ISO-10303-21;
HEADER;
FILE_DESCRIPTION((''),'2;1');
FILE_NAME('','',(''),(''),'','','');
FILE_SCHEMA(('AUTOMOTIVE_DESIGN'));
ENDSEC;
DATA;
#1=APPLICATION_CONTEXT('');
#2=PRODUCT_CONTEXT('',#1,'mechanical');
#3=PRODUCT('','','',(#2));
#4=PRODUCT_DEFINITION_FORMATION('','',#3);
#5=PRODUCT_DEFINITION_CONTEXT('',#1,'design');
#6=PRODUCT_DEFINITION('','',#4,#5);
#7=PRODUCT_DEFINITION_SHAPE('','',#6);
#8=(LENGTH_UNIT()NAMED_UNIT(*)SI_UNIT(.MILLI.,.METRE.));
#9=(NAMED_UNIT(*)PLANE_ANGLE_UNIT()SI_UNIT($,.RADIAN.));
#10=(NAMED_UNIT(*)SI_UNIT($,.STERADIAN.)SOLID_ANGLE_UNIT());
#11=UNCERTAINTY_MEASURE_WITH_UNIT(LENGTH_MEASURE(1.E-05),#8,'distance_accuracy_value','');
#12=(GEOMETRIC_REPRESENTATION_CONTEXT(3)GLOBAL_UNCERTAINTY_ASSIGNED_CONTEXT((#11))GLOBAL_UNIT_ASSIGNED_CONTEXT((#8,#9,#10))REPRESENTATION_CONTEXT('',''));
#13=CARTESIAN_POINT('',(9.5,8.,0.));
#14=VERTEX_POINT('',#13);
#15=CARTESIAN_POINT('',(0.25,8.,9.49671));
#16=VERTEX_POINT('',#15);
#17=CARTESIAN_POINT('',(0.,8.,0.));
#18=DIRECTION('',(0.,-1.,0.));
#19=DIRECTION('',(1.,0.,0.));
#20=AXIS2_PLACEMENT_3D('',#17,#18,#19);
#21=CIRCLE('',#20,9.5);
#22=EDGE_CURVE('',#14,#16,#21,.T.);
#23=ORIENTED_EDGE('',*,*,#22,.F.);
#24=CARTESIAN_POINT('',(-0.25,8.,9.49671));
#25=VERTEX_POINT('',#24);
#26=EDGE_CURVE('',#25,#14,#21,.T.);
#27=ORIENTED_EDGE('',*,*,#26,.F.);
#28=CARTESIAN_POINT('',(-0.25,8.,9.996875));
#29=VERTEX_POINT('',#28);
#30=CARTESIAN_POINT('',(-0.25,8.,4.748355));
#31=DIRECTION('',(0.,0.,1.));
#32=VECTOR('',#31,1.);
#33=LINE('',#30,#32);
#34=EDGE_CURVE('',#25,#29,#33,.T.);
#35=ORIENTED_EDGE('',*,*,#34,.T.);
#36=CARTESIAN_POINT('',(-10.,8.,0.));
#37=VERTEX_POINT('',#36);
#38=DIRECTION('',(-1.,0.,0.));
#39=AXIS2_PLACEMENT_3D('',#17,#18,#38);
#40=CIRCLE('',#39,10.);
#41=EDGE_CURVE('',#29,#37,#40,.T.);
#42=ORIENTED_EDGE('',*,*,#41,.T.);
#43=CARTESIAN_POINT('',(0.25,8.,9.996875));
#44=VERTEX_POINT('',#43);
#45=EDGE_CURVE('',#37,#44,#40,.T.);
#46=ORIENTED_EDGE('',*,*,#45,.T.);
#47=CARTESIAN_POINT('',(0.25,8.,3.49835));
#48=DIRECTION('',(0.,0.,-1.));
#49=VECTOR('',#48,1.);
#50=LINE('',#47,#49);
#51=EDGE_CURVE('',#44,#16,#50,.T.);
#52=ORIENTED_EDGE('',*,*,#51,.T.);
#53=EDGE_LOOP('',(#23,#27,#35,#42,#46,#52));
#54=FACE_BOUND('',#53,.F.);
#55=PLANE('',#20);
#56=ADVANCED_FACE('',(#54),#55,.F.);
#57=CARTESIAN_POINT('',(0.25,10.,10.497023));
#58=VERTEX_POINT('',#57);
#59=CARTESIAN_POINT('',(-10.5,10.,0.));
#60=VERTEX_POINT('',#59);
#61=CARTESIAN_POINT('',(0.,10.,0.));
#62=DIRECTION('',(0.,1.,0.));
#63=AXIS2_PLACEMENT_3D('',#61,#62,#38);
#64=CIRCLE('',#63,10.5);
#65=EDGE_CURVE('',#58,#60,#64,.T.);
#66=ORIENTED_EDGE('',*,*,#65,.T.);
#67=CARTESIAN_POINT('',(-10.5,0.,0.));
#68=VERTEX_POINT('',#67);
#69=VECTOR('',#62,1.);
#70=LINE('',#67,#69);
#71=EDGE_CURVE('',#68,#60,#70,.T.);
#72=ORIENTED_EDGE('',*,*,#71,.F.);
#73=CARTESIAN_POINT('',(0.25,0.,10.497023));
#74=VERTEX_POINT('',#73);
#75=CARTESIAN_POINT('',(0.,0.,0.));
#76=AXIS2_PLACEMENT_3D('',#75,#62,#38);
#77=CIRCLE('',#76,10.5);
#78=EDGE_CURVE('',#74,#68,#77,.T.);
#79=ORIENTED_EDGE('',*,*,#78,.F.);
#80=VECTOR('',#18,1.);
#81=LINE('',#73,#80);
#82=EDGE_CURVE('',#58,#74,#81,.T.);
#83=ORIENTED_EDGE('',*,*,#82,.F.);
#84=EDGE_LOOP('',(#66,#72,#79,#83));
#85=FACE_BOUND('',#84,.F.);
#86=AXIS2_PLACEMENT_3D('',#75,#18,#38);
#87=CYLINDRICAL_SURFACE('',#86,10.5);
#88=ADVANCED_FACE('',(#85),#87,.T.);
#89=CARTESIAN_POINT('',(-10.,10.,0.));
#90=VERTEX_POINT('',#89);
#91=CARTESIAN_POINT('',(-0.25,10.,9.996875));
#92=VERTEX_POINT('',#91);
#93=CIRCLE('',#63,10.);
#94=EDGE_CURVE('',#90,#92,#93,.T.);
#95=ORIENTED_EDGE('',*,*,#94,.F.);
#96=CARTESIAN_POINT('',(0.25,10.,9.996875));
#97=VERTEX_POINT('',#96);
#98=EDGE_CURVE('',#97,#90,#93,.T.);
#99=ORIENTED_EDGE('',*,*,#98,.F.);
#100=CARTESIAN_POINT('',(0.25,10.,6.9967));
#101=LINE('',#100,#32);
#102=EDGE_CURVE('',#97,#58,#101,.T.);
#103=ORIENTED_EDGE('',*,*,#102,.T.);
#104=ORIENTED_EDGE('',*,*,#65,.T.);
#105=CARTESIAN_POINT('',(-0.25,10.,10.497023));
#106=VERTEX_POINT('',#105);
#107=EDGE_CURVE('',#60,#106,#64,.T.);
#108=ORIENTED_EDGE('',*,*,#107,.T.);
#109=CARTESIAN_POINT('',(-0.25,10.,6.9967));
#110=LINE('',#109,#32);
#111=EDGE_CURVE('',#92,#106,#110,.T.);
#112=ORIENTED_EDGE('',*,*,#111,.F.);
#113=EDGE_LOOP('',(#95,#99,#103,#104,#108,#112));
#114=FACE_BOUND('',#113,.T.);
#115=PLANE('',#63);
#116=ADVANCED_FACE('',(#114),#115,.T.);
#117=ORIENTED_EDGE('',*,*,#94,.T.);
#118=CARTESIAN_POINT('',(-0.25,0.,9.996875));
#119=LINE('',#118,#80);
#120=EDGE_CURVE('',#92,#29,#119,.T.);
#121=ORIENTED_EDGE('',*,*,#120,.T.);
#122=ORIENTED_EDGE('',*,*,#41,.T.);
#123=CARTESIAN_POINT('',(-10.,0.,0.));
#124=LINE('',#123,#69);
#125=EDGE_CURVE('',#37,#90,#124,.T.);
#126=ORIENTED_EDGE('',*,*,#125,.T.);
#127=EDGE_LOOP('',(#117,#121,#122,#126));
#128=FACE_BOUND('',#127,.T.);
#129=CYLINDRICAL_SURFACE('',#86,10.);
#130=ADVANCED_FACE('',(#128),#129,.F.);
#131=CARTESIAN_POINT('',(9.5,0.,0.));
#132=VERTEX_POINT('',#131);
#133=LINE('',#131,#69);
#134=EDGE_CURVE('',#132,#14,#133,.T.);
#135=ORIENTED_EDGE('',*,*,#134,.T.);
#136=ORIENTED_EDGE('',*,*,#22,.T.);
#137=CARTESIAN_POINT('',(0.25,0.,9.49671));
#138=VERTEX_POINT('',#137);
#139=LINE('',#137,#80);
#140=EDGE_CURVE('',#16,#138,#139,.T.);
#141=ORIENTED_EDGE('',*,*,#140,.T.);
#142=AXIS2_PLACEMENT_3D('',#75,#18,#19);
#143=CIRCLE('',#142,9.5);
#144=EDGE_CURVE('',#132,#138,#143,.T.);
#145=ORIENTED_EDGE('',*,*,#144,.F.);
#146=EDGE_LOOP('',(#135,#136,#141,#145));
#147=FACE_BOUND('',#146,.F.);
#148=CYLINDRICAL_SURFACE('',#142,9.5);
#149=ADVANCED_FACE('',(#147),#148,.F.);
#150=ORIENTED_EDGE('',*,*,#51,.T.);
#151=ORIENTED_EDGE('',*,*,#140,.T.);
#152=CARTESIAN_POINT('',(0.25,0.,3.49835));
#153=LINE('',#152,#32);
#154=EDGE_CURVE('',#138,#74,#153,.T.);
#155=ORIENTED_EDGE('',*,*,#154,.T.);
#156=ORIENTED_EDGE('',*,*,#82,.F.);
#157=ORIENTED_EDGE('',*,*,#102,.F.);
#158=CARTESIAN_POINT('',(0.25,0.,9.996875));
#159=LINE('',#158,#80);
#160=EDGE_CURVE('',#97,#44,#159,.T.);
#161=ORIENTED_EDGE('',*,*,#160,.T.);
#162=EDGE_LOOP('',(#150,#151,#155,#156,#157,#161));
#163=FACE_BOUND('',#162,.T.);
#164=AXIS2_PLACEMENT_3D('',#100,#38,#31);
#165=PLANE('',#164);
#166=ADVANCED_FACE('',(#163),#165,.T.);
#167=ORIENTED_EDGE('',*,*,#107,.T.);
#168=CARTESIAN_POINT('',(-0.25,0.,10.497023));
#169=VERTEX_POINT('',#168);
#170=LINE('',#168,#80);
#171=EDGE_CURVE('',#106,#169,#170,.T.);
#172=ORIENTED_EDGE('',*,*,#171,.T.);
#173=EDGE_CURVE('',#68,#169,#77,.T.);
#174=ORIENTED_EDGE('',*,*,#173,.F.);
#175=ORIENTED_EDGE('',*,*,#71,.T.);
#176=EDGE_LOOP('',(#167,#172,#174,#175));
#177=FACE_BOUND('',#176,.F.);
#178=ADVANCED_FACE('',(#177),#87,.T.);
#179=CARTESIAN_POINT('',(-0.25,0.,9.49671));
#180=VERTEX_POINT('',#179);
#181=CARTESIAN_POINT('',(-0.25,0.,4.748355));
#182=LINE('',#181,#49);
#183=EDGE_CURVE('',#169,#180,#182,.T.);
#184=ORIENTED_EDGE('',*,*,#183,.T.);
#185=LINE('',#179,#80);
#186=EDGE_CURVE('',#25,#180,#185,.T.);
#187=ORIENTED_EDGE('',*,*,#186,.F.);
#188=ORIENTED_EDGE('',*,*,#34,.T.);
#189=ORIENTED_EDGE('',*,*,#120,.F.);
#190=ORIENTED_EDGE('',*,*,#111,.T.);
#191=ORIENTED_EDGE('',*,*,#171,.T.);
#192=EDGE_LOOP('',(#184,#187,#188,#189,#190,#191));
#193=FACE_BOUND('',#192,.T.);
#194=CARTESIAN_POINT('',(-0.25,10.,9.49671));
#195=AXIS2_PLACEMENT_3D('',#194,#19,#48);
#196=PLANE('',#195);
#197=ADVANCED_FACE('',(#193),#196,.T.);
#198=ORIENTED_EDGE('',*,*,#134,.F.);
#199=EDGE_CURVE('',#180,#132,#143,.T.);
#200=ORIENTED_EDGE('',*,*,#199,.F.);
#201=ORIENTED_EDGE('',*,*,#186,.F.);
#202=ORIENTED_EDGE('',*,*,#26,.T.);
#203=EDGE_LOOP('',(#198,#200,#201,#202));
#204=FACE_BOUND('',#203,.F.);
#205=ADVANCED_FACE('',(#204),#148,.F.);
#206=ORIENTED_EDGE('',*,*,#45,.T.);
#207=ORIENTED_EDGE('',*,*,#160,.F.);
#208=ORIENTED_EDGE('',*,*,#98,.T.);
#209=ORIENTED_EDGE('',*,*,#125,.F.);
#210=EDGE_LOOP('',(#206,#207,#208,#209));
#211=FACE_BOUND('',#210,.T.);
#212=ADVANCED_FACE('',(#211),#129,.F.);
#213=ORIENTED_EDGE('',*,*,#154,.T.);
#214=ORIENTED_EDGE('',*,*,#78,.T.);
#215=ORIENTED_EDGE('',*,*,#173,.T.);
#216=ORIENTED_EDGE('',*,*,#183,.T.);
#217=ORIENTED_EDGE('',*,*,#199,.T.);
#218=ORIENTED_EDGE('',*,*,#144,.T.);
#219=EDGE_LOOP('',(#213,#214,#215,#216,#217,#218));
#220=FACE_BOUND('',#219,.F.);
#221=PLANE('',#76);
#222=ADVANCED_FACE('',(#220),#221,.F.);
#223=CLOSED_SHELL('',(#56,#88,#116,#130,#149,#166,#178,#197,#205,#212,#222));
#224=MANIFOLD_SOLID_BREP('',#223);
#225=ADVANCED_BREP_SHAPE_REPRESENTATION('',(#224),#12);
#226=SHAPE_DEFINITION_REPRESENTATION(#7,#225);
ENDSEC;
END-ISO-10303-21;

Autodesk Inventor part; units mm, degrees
ref_plane "YZ Plane" through (0, 0, 0) normal (1, 0, 0) x (0, 1, 0)
ref_plane "XZ Plane" through (0, 0, 0) normal (0, 1, 0) x (-1, 0, 0)
ref_plane "XY Plane" through (0, 0, 0) normal (0, 0, 1) x (1, 0, 0)
sketch "スケッチ1" plane through (0, 0, 0) normal (0, 1, 0) x (-1, 0, 0)
  circle A0 centre (0, 0) radius 10
  circle A1 centre (0, 0) radius 10.5
  dimension "d0" = 20
  dimension "d1" = 21
extrude "押し出し1" add sketch "スケッチ1" along normal blind 10
sketch "スケッチ2" plane through (0, 0, 0) normal (0, -1, 0) x (1, 0, 0)
  circle A0 centre (0, 0) radius 9.5
  circle A1 centre (0, 0) radius 10 projected
  dimension "d4" = 19
extrude "押し出し2" add sketch "スケッチ2" against normal blind 8
sketch "スケッチ3" plane through (0, 10, 0) normal (0, 1, 0) x (1, 0, 0)
  line L0 (0.25, -6.9967) -> (0.25, -11.9967)
  line L1 (0.25, -11.9967) -> (-0.25, -11.9967)
  line L2 (-0.25, -11.9967) -> (-0.25, -6.9967)
  line L3 (-0.25, -6.9967) -> (0, -6.9967)
  line L4 (0, -6.9967) -> (0.25, -6.9967)
  circle A0 centre (0, 0) radius 9.5 projected
  point P0 (0.25, -9.4967)
  dimension "d7" = 0.5
  dimension "d10" = 5
extrude "押し出し3" cut sketch "スケッチ3" against normal through all contours L0 A0 L2 L3 L4 | L0 L1 L2 A0 picked at (0.1111, -7.831)
properties part number "zig64"
